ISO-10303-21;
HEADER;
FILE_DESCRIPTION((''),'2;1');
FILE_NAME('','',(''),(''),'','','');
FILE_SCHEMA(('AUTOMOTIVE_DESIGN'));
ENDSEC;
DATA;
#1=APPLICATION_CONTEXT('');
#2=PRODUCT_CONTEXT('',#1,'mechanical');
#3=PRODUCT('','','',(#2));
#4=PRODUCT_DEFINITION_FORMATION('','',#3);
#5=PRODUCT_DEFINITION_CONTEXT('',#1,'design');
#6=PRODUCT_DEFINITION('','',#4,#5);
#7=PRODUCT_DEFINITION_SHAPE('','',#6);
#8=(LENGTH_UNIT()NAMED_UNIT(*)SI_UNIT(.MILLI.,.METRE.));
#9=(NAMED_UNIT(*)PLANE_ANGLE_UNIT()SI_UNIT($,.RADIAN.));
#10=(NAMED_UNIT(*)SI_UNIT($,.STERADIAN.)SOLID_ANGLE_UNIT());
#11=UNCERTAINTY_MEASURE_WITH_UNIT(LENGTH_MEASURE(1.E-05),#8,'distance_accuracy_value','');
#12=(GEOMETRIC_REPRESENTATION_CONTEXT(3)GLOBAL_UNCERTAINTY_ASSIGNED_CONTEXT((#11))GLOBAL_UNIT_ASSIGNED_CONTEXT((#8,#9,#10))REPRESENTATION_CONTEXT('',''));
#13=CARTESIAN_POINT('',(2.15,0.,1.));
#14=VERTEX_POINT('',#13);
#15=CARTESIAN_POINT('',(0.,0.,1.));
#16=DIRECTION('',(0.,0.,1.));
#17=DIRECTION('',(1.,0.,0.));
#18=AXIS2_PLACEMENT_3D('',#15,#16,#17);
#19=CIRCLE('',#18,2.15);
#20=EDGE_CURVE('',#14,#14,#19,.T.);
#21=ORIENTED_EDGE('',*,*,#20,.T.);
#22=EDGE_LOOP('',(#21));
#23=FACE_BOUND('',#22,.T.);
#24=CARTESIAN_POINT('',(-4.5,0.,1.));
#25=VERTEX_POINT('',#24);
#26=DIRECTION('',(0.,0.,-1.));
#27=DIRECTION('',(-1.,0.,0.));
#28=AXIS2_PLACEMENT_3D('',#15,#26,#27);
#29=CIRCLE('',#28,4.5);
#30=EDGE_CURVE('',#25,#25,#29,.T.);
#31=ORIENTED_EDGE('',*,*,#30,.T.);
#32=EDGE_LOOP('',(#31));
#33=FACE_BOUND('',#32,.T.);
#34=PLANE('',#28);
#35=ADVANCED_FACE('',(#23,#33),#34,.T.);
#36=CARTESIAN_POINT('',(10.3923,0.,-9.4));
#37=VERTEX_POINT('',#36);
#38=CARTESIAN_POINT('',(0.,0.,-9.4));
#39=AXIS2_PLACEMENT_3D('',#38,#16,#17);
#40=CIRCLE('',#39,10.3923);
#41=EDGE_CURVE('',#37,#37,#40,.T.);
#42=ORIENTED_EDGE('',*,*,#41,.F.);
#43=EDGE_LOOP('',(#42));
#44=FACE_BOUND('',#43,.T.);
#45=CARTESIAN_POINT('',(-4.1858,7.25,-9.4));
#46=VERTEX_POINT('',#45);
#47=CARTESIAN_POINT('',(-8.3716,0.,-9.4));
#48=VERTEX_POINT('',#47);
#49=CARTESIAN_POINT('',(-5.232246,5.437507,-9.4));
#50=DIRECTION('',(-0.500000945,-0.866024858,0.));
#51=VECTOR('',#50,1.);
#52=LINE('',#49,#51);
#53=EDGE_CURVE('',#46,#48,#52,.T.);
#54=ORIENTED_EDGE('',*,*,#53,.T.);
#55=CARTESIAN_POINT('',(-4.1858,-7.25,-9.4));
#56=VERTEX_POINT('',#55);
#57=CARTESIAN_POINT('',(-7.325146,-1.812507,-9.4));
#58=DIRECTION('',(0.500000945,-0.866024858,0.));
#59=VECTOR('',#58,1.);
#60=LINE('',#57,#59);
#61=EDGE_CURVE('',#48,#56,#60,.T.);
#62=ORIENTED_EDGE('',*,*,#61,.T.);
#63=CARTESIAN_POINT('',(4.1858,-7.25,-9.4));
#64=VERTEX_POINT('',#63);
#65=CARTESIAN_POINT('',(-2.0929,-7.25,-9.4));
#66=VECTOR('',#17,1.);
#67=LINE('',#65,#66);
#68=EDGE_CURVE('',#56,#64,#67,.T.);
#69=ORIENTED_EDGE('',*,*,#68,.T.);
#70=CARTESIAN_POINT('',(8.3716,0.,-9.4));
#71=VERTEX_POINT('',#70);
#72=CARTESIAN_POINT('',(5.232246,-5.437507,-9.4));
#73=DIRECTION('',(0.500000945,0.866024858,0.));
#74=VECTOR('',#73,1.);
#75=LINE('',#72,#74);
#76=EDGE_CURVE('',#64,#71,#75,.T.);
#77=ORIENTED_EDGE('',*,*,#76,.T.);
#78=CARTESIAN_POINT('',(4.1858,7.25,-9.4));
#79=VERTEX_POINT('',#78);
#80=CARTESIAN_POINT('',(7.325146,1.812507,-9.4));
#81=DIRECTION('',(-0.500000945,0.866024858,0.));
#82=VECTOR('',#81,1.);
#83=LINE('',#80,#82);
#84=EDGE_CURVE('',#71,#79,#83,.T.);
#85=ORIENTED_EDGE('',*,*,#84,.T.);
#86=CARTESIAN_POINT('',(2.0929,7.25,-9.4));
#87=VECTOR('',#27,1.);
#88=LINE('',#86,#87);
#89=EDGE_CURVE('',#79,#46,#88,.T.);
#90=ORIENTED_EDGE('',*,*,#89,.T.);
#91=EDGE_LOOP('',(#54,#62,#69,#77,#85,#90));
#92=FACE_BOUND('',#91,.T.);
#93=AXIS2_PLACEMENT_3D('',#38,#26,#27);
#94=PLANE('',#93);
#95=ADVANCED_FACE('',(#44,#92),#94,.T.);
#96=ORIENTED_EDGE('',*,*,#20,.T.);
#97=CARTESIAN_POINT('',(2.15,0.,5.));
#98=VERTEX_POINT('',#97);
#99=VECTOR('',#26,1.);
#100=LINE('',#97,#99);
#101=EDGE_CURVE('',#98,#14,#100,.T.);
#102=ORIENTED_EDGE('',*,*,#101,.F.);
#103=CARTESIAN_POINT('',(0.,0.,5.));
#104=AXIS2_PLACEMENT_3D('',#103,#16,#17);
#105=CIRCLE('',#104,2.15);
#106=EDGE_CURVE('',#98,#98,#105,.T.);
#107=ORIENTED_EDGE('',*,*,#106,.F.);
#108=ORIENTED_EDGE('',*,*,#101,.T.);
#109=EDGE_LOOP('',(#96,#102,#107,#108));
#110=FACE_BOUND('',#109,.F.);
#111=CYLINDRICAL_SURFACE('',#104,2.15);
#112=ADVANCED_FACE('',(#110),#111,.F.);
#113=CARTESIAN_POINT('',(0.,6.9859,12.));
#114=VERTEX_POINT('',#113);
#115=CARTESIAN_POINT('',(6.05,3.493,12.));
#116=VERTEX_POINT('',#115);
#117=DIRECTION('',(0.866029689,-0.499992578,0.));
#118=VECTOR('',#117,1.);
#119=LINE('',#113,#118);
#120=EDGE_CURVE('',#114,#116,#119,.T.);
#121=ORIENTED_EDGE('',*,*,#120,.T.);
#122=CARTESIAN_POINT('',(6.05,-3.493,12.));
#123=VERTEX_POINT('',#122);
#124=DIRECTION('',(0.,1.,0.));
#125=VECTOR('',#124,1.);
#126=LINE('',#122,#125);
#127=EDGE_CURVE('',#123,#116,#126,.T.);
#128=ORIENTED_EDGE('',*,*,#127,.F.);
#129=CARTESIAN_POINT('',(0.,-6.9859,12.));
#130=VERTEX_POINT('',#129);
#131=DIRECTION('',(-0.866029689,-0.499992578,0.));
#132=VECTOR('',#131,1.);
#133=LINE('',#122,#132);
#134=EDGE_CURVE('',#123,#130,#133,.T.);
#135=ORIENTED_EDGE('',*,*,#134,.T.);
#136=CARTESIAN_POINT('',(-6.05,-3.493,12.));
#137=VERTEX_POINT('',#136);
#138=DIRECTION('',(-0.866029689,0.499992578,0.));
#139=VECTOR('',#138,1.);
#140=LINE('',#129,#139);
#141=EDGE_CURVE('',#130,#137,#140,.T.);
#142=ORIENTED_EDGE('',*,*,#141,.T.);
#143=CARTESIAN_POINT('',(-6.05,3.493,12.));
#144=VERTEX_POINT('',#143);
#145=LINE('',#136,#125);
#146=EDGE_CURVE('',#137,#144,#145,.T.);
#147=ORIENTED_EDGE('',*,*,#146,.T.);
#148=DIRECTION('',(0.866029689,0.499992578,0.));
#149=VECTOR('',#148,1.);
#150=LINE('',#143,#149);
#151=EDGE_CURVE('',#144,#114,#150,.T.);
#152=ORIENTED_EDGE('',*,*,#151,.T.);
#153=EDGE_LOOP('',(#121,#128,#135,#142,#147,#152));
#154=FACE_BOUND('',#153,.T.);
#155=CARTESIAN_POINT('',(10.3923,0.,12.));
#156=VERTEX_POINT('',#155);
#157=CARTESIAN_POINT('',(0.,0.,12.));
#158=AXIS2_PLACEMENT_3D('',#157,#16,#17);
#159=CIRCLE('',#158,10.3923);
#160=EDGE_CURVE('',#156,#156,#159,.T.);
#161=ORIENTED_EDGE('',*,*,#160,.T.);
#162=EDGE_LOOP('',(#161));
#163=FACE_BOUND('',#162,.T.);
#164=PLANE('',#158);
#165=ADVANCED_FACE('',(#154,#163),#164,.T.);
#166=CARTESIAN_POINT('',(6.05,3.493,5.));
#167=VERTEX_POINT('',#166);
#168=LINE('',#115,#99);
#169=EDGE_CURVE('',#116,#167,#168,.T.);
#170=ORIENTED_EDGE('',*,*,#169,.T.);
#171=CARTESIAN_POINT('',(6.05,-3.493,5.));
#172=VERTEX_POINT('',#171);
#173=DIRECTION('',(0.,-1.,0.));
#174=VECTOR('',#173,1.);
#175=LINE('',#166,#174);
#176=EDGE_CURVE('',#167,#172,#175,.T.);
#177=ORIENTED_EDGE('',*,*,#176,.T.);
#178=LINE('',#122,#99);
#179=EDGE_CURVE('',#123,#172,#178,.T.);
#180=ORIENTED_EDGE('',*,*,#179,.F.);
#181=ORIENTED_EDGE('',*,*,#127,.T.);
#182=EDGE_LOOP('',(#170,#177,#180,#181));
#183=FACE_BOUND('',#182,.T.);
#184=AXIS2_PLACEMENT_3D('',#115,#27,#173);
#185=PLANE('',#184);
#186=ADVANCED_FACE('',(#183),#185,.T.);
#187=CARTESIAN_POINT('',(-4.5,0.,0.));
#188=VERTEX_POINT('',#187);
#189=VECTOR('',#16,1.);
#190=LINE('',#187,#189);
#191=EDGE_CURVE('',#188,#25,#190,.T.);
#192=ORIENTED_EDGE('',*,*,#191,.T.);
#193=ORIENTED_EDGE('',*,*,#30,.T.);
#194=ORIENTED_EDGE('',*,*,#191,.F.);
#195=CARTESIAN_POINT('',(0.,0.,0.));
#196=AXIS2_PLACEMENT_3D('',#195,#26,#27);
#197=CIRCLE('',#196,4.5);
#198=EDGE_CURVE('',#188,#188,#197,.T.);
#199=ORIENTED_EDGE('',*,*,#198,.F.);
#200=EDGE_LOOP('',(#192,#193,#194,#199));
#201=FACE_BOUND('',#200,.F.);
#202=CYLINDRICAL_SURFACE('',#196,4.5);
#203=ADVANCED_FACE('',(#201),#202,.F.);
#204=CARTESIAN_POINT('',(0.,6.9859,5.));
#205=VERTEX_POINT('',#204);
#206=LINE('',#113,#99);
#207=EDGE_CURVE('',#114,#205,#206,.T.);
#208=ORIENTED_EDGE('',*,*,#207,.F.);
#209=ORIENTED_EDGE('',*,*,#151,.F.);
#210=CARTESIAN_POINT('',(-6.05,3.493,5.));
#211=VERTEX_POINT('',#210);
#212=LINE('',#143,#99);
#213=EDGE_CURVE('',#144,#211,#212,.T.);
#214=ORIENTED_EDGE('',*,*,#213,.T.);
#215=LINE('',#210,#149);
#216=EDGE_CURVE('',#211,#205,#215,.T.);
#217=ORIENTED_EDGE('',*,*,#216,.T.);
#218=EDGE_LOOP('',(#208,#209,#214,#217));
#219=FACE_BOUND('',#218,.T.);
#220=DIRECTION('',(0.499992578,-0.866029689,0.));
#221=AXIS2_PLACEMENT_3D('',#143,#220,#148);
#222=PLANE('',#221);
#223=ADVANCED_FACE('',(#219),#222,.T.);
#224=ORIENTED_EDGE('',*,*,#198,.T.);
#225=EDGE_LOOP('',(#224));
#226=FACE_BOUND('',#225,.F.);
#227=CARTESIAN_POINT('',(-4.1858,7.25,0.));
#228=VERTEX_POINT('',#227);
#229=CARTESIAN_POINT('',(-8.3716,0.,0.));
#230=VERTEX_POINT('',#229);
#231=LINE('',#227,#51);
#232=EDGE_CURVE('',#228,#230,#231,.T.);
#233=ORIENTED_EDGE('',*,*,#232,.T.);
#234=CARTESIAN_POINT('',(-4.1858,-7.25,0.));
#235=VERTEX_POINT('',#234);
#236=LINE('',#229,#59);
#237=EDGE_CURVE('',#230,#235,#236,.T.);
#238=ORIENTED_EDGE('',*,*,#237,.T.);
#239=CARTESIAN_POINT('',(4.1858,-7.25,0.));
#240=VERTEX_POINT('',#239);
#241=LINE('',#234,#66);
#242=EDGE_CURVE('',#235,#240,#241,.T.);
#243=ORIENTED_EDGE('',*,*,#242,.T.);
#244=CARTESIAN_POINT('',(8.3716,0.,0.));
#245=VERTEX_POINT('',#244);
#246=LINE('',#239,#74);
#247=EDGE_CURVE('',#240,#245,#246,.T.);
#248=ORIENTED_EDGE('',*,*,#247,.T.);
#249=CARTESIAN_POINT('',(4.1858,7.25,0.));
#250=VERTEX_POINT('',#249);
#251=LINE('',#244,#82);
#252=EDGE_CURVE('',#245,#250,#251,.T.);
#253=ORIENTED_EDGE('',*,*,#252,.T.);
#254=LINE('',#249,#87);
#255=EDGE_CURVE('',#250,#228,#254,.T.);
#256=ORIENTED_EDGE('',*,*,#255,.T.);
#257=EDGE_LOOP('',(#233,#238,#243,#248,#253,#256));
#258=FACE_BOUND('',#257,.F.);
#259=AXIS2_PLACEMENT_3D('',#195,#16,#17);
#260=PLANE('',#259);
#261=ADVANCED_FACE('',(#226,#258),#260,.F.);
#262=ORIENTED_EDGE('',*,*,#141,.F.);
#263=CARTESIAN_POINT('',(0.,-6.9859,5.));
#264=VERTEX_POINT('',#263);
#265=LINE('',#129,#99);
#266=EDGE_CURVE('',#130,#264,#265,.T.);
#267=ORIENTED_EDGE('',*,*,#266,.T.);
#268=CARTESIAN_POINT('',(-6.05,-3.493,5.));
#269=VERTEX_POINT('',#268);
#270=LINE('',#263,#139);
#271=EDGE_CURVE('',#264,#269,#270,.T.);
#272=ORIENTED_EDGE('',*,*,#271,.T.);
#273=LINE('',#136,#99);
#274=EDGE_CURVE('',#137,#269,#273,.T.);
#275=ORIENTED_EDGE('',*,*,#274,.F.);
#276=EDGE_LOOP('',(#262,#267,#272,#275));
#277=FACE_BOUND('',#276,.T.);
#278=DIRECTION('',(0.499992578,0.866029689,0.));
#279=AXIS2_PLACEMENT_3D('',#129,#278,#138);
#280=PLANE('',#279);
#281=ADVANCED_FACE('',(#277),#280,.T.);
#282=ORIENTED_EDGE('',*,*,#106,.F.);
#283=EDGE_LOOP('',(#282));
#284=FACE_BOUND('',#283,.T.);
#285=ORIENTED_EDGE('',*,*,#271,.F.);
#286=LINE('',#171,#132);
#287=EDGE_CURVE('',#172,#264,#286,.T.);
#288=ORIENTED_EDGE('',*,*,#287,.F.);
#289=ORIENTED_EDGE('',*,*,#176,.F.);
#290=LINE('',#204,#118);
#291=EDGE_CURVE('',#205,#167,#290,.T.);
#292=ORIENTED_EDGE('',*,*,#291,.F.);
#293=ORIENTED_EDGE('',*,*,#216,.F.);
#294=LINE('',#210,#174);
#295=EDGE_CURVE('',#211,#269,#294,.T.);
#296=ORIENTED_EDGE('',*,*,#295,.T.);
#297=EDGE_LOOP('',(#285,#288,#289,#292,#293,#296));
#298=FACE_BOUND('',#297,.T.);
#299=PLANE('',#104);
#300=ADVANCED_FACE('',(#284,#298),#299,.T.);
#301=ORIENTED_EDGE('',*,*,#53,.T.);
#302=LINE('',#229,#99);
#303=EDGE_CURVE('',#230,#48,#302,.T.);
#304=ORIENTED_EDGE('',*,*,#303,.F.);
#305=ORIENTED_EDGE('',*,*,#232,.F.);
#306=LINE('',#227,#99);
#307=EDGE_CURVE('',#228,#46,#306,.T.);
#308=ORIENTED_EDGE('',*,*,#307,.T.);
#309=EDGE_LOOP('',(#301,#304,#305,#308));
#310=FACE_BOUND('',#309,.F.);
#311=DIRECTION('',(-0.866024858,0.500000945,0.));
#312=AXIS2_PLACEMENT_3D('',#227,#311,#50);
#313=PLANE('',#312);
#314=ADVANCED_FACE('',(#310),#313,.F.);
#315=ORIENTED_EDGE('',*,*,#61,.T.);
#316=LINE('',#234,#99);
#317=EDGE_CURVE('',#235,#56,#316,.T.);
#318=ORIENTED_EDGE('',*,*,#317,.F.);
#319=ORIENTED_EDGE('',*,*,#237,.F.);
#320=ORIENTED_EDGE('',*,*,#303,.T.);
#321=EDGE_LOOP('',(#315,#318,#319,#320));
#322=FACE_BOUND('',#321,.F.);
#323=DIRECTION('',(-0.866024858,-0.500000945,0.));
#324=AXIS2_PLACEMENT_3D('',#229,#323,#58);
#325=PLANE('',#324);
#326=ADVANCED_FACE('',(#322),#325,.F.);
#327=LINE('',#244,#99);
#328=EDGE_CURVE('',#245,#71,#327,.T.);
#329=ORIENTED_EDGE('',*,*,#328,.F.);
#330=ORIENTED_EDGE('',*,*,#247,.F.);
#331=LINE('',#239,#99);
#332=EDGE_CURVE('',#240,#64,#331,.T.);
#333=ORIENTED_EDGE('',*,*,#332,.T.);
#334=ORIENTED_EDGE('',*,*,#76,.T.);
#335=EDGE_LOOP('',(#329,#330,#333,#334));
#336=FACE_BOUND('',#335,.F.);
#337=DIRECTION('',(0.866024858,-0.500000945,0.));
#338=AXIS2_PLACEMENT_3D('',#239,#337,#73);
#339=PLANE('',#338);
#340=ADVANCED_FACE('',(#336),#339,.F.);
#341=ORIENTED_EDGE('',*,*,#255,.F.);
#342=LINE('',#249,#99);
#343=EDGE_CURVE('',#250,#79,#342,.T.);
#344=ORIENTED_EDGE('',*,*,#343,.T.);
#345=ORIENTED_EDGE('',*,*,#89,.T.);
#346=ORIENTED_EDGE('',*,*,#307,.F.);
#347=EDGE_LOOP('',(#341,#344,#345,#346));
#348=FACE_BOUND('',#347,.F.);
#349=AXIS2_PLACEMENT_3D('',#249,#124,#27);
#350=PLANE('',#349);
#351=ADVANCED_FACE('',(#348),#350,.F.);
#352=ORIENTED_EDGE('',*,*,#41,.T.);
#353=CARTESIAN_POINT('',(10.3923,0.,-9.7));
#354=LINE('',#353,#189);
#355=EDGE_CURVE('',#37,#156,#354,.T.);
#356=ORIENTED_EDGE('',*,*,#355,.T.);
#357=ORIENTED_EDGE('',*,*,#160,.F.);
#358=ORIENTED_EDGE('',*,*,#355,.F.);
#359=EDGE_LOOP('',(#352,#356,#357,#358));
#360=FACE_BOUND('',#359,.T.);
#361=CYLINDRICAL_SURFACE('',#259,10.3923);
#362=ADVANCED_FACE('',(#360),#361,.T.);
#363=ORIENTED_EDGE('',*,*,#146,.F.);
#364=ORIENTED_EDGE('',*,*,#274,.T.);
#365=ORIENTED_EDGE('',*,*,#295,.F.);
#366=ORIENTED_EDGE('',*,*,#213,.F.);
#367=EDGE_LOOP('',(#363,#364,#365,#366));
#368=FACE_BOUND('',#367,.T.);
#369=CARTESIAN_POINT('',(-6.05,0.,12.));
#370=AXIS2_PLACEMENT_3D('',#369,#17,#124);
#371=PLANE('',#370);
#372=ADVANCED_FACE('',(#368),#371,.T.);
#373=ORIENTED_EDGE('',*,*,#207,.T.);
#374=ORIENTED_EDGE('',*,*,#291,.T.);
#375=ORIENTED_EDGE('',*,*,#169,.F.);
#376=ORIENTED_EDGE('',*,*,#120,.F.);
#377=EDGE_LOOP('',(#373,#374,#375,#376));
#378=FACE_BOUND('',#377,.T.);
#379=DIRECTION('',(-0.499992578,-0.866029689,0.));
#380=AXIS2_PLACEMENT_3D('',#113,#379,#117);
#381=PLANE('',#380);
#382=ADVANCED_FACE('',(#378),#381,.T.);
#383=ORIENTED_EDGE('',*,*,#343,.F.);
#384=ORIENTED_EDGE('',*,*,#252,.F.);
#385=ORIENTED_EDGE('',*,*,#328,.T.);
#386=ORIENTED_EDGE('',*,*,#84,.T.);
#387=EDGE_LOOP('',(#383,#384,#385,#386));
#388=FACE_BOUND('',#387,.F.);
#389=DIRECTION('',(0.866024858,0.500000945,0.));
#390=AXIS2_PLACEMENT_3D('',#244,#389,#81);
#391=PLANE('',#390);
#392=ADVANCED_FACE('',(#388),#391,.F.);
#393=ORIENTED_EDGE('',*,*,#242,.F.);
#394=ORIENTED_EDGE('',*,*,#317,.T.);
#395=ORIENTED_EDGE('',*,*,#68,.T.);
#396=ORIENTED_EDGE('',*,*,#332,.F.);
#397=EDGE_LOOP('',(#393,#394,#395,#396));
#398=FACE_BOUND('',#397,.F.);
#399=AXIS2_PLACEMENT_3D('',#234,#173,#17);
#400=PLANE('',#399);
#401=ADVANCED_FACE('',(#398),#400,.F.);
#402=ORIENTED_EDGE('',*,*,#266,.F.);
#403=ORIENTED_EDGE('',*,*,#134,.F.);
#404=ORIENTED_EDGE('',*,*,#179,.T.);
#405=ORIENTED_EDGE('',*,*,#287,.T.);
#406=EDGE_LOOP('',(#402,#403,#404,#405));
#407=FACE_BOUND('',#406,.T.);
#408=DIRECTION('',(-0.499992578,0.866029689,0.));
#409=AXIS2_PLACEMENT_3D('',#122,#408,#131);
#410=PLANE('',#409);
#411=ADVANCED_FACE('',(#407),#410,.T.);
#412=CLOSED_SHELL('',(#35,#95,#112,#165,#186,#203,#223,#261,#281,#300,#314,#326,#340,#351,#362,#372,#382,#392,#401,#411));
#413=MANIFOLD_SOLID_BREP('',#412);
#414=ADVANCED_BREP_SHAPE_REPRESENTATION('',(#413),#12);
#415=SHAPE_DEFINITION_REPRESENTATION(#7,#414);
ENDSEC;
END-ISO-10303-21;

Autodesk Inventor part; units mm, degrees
sketch "Sketch2" plane through (0, 0, 0) normal (0, 0, 1) x (1, 0, 0)
  circle A0 centre (0, 0) radius 10.3923
  line L0 (-4.0415, -7) -> (4.0415, -7) projected
  line L1 (4.0415, -7) -> (8.0829, 0) projected
  line L2 (8.0829, 0) -> (4.0415, 7) projected
  line L3 (4.0415, 7) -> (-4.0415, 7) projected
  line L4 (-4.0415, 7) -> (-8.0829, 0) projected
  line L5 (-8.0829, 0) -> (-4.0415, -7) projected
  line L6 (4.0415, 7) -> (5.1962, 9) construction
  line L7 (-8.3716, 0) -> (-4.1858, -7.25)
  line L8 (-4.1858, -7.25) -> (4.1858, -7.25)
  line L9 (4.1858, -7.25) -> (8.3716, 0)
  line L10 (8.3716, 0) -> (4.1858, 7.25)
  line L11 (4.1858, 7.25) -> (-4.1858, 7.25)
  line L12 (-4.1858, 7.25) -> (-8.3716, 0)
  dimension "d9" = 2
  dimension "d10" = 0.25
  dimension "d11" = 0.25
  dimension "d12" = 0.25
  dimension "d13" = 0.25
  dimension "d14" = 0.25
  dimension "d15" = 0.25
ref_plane "Work Plane1" through (-12.7, 0, -12.7) normal (0, 0, 1) x (1, 0, 0)
ref_plane "Work Plane2" through (-11.7, 1, -12.7) normal (0, 0, 1) x (1, 0, 0)
ref_plane "Work Plane3" through (-8.125, -8.125, -9.7) normal (0, 0, 1) x (1, 0, 0)
extrude "Extrusion3" add sketch "Sketch2" against normal up to surface (9.7 mm away) contours A0
sketch "Sketch4" plane through (0, 0, 0) normal (0, 0, 1) x (1, 0, 0)
  circle A0 centre (0, 0) radius 10.3923 projected
extrude "Extrusion4" add sketch "Sketch4" along normal blind 12
sketch "Sketch5" plane through (0, 0, -9.7) normal (0, 0, -1) x (-1, 0, 0)
  circle A0 centre (0, 0) radius 10.3923 projected
  point P0 (0, 0)
extrude "Extrusion5" cut sketch "Sketch5" against normal blind 0.3
sketch "Sketch6" plane through (0, 0, 12) normal (0, 0, 1) x (1, 0, 0)
  line L0 (-6.05, 3.493) -> (0, 6.9859)
  line L1 (0, 6.9859) -> (6.05, 3.493)
  line L2 (6.05, 3.493) -> (6.05, -3.493)
  line L3 (6.05, -3.493) -> (0, -6.9859)
  line L4 (0, -6.9859) -> (-6.05, -3.493)
  line L5 (-6.05, -3.493) -> (-6.05, 3.493)
  line L6 (-14.5492, 0) -> (14.5492, 0) projected
  line L7 (0, -6.9859) -> (0, 6.9859) construction
  line L8 (6.05, -3.493) -> (-6.05, 3.493) construction
  line L9 (0, -14.5492) -> (0, 14.5492) projected
  point P0 (0, 0)
  point P1 (14.5492, 0)
  point P2 (0, 0)
  dimension "d32" = 0
  dimension "d35" = 12.1
extrude "Extrusion6" cut sketch "Sketch6" against normal blind 7
sketch "Sketch7" plane through (0, 0, 5) normal (0, 0, 1) x (1, 0, 0)
  circle A0 centre (0, 0) radius 2.15
  point P0 (0, 0)
  dimension "d21" = 4.3
extrude "Extrusion7" cut sketch "Sketch7" against normal through all
sketch "Sketch10" plane through (0, 0, 0) normal (0, 0, -1) x (-1, 0, 0)
  circle A0 centre (0, 0) radius 10.3923 projected
  circle A1 centre (0, 0) radius 4.5
  dimension "d25" = 9
extrude "Extrusion8" cut sketch "Sketch10" against normal blind 1 contours A1
equation "\"d11\" = d10"
equation "\"d12\" = d11"
equation "\"d13\" = d12"
equation "\"d14\" = d13"
equation "\"d15\" = d14"
properties part number "ServoToScrewKey" material "ABS Plastic"
